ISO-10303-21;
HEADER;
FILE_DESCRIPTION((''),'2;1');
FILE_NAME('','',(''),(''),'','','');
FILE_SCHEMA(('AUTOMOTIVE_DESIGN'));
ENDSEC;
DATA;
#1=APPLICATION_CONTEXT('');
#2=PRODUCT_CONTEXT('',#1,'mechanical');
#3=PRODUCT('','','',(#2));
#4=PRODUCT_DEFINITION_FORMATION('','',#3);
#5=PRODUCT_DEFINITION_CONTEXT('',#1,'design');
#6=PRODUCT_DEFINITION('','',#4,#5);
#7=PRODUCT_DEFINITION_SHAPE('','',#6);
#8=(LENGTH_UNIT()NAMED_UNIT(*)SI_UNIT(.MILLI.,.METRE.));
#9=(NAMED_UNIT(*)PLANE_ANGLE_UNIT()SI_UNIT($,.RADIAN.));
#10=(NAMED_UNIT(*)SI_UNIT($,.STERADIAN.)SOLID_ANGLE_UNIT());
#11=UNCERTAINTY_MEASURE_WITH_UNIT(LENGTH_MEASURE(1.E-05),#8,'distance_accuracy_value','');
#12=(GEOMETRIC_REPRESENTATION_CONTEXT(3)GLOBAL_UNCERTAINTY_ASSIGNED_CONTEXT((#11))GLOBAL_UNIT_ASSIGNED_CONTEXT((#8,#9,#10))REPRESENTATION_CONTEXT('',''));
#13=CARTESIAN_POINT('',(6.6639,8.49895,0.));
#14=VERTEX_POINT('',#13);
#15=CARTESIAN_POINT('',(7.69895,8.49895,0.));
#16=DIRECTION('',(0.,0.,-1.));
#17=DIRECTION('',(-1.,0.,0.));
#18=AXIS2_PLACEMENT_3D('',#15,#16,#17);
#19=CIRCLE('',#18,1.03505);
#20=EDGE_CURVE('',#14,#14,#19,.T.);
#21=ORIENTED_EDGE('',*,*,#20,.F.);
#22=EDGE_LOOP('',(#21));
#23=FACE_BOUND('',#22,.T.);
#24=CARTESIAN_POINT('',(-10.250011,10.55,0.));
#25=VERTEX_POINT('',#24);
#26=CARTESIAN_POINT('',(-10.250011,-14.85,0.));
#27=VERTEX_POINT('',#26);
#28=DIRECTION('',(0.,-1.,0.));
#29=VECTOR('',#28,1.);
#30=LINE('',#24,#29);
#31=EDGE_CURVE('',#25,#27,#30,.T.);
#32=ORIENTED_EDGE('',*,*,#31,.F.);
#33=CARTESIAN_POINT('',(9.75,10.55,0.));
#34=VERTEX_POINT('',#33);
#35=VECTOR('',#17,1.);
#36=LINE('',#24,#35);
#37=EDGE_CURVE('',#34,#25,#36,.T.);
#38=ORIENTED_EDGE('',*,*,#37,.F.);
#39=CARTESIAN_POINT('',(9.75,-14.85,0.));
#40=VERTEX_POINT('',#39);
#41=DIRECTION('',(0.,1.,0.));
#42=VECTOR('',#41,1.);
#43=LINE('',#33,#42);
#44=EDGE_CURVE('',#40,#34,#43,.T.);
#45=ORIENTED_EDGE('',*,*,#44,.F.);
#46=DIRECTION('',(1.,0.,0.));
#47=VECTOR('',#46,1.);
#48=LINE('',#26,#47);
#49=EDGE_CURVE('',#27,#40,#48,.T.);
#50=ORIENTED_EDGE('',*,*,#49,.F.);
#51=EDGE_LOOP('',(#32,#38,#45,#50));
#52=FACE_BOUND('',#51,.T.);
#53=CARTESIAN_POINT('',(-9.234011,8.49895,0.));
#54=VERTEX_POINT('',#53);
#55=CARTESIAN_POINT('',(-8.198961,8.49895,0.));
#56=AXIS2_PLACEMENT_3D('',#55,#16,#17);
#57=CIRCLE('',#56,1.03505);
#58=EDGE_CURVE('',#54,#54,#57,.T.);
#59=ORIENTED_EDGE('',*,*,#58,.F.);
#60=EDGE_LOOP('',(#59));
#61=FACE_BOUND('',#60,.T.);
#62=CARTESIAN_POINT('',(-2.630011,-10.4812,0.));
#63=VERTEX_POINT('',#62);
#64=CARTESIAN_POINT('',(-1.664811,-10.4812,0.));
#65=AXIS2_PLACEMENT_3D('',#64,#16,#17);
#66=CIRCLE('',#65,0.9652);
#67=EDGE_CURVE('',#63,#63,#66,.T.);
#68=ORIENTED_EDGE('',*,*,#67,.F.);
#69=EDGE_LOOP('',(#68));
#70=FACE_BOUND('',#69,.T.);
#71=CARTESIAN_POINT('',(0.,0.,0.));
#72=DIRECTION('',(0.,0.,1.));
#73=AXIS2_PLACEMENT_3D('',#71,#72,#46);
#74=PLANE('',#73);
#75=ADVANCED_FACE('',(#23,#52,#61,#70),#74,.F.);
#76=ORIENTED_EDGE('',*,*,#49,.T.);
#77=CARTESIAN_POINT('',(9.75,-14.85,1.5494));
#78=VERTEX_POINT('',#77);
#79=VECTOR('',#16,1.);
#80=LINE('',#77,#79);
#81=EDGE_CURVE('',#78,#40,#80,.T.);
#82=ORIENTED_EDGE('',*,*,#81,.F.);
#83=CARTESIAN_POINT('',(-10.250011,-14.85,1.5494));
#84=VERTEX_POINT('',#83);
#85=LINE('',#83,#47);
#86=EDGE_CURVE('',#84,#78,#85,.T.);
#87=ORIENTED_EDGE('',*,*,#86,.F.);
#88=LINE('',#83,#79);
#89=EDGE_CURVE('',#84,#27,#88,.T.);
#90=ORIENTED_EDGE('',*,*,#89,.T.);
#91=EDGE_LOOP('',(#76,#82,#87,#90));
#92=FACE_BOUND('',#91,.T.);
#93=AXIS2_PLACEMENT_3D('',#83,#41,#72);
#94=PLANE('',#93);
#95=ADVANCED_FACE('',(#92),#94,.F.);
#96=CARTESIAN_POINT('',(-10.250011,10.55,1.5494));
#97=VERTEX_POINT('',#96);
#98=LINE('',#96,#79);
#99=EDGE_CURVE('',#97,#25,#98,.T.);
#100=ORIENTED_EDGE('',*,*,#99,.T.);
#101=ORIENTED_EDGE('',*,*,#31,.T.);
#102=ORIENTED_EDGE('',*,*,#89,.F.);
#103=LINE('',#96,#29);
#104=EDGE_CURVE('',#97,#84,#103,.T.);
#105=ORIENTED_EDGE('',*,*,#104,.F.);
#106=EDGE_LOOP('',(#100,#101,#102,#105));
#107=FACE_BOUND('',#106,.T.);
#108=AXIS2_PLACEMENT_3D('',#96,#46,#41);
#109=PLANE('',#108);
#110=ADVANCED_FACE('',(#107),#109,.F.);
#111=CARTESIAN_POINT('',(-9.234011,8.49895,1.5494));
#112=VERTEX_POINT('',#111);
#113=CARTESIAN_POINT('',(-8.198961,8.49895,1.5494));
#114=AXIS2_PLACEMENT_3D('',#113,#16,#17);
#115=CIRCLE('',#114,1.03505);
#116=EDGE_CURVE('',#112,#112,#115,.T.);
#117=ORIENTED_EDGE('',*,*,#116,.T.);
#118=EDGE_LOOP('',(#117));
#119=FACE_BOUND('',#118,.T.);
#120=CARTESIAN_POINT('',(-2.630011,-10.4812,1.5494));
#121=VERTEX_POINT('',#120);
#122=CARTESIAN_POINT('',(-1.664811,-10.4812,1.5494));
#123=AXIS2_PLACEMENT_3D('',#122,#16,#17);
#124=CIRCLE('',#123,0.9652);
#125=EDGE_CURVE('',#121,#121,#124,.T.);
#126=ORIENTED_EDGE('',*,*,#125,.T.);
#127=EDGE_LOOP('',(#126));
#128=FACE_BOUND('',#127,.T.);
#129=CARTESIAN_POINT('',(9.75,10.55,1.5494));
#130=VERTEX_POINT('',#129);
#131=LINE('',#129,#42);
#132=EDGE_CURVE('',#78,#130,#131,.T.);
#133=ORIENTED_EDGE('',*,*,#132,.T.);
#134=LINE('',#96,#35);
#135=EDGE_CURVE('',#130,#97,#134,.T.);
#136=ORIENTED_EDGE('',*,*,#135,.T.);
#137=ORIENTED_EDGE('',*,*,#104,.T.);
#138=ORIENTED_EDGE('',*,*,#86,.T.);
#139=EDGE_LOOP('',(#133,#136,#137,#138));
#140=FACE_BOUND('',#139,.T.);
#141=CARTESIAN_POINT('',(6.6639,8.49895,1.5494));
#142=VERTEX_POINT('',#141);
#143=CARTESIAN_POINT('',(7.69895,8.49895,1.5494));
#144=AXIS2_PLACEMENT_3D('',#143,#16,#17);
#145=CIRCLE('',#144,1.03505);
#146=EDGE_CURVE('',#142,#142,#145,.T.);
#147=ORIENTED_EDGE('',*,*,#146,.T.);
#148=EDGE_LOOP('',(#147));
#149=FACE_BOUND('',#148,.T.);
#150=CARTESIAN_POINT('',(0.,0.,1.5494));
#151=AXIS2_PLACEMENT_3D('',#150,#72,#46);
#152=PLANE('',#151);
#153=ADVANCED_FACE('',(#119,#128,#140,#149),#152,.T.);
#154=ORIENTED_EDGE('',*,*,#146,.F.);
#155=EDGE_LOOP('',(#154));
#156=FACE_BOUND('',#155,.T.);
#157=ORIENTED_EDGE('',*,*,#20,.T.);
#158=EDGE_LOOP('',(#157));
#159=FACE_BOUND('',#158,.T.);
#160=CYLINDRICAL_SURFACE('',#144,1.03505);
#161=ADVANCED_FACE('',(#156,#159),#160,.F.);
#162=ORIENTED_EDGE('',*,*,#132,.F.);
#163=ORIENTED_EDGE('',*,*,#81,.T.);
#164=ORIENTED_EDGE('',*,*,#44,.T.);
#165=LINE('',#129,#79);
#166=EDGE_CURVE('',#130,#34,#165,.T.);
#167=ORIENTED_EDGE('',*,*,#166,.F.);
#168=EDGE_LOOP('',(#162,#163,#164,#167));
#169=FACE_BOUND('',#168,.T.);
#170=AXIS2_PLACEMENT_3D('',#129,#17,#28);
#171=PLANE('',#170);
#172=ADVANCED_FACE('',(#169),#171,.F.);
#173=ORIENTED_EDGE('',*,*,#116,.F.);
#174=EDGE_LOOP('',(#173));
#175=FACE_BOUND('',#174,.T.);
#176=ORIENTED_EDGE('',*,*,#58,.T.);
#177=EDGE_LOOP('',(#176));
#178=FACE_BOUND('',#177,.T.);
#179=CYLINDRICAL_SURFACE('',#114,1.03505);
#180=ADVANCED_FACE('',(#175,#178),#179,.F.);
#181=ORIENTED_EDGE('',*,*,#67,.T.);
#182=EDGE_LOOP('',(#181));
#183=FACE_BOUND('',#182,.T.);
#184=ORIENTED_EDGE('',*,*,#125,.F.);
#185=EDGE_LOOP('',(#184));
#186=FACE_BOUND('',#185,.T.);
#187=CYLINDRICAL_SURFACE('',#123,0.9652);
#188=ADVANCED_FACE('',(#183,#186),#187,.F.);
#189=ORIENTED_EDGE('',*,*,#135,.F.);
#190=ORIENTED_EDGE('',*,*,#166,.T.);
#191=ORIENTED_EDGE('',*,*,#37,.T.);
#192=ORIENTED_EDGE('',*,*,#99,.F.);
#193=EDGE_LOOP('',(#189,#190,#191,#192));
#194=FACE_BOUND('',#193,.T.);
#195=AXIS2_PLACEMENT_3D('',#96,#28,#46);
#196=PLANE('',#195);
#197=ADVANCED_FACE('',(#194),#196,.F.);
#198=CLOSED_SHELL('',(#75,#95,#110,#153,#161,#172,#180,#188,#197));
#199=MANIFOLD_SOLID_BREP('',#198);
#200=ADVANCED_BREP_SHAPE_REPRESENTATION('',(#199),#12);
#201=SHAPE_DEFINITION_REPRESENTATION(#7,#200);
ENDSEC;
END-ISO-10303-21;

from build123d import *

# Parameters (mm, degrees)
SKETCH1_W           = 20.0000108
SKETCH1_H           = 25.4
BOSS_EXTRUDE1_DEPTH = 1.5494
SKETCH2_R           = 1.03505
SKETCH2_R_2         = 0.9652
CUT_EXTRUDE1_DEPTH  = 19.110379945


with BuildPart() as part:
    # Sketch1 → Boss-Extrude1 (new body)
    with BuildSketch(Plane.XY):
        with Locations((-0.2500054, -2.15)):
            Rectangle(SKETCH1_W, SKETCH1_H)
    extrude(amount=BOSS_EXTRUDE1_DEPTH)

    # Sketch2 → Cut-Extrude1 (cut, through all)
    with BuildSketch(Plane(origin=(0, 0, 0), x_dir=(-1, 0, 0), z_dir=(0, 0, -1))):
        with Locations((8.1989608, 8.49895)):
            Circle(SKETCH2_R)
        with Locations((-7.69895, 8.49895)):
            Circle(SKETCH2_R)
        with Locations((1.6648108, -10.4812)):
            Circle(SKETCH2_R_2)
    extrude(amount=-CUT_EXTRUDE1_DEPTH, mode=Mode.SUBTRACT)


solid = part.part
